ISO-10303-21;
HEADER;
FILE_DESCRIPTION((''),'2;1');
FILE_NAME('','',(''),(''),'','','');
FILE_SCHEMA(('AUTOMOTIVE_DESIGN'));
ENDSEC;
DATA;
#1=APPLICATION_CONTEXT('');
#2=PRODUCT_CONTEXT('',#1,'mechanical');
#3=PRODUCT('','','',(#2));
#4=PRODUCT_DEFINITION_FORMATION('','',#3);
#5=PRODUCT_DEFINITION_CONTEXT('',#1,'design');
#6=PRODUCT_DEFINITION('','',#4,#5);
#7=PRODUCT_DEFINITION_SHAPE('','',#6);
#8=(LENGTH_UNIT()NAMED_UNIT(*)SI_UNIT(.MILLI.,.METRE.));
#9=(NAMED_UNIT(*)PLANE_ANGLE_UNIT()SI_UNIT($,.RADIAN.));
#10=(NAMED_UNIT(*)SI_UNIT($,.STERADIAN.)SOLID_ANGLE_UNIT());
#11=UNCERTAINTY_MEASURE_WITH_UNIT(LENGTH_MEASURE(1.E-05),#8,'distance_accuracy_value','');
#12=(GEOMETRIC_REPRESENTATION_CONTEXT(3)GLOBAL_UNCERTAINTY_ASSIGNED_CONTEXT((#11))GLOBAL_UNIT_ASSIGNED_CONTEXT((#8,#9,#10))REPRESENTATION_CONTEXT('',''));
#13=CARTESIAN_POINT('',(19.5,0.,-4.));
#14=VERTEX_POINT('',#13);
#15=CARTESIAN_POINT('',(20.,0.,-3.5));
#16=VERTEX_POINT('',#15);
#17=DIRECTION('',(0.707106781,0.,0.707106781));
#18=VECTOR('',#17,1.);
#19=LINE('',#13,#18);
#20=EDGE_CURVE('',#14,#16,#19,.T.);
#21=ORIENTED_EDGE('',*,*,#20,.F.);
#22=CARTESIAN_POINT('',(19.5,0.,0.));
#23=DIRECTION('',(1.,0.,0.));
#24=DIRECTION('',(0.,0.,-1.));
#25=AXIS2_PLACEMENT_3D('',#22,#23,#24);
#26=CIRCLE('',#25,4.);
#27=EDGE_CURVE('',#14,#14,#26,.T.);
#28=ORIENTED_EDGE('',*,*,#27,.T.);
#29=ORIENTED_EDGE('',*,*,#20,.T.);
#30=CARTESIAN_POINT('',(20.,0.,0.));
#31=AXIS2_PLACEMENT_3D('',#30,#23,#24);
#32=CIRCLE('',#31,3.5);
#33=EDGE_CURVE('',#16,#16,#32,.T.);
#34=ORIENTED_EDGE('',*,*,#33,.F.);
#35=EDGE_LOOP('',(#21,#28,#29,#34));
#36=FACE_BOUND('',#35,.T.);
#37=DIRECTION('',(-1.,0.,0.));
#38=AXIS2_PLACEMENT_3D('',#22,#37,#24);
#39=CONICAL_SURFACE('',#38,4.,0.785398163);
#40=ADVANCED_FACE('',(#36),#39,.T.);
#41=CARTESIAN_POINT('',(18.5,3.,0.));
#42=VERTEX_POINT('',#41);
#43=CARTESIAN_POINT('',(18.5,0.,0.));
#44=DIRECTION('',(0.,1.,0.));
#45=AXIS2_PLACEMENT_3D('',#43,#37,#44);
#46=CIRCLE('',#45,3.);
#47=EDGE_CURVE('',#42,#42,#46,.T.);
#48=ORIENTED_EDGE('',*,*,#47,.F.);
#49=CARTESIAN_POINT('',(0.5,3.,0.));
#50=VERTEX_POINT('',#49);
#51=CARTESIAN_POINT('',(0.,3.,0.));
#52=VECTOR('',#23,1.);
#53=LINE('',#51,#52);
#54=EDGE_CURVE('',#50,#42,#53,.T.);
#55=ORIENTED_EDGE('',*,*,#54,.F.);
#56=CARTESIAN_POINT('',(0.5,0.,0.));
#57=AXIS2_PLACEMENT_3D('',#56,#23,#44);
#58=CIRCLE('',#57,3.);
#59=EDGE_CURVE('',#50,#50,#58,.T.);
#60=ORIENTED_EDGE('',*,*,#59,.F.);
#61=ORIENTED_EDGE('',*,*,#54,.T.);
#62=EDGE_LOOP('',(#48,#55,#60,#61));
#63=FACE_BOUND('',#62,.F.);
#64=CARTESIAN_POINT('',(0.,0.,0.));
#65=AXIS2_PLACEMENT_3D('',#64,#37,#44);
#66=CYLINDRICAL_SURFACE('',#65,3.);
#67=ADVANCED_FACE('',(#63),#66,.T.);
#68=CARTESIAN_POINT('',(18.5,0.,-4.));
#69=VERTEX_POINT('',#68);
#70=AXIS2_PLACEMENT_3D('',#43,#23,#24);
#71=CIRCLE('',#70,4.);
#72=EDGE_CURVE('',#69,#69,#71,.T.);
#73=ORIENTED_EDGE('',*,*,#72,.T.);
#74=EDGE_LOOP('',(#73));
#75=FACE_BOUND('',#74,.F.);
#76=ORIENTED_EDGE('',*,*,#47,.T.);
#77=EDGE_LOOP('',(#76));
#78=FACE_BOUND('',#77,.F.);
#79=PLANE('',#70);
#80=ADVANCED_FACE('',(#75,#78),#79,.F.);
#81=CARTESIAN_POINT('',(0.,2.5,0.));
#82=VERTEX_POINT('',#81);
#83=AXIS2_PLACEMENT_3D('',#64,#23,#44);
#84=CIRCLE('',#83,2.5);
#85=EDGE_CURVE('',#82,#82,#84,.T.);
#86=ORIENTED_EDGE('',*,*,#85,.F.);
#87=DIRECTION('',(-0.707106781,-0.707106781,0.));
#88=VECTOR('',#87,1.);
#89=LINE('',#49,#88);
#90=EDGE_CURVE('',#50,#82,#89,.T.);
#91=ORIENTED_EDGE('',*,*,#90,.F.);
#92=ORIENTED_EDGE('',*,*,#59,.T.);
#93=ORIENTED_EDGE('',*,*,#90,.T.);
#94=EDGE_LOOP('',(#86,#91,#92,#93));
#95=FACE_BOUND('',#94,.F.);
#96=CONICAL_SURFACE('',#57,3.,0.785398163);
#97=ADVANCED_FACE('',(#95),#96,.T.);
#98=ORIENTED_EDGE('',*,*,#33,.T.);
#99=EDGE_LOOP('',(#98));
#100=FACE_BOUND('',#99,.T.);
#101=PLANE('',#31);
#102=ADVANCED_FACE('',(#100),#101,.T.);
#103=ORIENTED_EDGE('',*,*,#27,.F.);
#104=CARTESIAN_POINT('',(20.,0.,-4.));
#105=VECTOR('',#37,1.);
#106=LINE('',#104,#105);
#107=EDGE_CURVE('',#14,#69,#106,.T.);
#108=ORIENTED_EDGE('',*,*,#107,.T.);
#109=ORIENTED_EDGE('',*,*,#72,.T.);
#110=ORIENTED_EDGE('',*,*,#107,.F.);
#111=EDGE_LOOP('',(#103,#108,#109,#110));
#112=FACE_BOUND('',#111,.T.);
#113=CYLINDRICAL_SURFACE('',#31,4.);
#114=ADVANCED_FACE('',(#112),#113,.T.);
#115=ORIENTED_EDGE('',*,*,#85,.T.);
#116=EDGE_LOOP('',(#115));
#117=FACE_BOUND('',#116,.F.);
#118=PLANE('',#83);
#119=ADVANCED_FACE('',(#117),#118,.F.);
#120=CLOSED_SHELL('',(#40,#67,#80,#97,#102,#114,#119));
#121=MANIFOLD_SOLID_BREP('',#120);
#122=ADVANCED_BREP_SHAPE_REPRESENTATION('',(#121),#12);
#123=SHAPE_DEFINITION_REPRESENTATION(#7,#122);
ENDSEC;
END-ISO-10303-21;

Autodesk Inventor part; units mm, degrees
ref_plane "YZ Plane" through (0, 0, 0) normal (1, 0, 0) x (0, 1, 0)
ref_plane "XZ Plane" through (0, 0, 0) normal (0, 1, 0) x (-1, 0, 0)
ref_plane "XY Plane" through (0, 0, 0) normal (0, 0, 1) x (1, 0, 0)
sketch "Sketch1" plane through (0, 0, 0) normal (1, 0, 0) x (0, 1, 0)
  circle A0 centre (0, 0) radius 3
  dimension "d0" = 6
extrude "Extrusion1" add sketch "Sketch1" along normal blind 20
sketch "Sketch2" plane through (20, 0, 0) normal (1, 0, 0) x (0, 0, -1)
  circle A0 centre (0, 0) radius 4
  dimension "d3" = 8
extrude "Extrusion2" add sketch "Sketch2" against normal blind 1.5
chamfer "Chamfer1" distance 0.5 angle 45 2 edges at (0, -3, 0) (20, 0, 4)
properties part number "Crankrod Pin" material "Copper"
